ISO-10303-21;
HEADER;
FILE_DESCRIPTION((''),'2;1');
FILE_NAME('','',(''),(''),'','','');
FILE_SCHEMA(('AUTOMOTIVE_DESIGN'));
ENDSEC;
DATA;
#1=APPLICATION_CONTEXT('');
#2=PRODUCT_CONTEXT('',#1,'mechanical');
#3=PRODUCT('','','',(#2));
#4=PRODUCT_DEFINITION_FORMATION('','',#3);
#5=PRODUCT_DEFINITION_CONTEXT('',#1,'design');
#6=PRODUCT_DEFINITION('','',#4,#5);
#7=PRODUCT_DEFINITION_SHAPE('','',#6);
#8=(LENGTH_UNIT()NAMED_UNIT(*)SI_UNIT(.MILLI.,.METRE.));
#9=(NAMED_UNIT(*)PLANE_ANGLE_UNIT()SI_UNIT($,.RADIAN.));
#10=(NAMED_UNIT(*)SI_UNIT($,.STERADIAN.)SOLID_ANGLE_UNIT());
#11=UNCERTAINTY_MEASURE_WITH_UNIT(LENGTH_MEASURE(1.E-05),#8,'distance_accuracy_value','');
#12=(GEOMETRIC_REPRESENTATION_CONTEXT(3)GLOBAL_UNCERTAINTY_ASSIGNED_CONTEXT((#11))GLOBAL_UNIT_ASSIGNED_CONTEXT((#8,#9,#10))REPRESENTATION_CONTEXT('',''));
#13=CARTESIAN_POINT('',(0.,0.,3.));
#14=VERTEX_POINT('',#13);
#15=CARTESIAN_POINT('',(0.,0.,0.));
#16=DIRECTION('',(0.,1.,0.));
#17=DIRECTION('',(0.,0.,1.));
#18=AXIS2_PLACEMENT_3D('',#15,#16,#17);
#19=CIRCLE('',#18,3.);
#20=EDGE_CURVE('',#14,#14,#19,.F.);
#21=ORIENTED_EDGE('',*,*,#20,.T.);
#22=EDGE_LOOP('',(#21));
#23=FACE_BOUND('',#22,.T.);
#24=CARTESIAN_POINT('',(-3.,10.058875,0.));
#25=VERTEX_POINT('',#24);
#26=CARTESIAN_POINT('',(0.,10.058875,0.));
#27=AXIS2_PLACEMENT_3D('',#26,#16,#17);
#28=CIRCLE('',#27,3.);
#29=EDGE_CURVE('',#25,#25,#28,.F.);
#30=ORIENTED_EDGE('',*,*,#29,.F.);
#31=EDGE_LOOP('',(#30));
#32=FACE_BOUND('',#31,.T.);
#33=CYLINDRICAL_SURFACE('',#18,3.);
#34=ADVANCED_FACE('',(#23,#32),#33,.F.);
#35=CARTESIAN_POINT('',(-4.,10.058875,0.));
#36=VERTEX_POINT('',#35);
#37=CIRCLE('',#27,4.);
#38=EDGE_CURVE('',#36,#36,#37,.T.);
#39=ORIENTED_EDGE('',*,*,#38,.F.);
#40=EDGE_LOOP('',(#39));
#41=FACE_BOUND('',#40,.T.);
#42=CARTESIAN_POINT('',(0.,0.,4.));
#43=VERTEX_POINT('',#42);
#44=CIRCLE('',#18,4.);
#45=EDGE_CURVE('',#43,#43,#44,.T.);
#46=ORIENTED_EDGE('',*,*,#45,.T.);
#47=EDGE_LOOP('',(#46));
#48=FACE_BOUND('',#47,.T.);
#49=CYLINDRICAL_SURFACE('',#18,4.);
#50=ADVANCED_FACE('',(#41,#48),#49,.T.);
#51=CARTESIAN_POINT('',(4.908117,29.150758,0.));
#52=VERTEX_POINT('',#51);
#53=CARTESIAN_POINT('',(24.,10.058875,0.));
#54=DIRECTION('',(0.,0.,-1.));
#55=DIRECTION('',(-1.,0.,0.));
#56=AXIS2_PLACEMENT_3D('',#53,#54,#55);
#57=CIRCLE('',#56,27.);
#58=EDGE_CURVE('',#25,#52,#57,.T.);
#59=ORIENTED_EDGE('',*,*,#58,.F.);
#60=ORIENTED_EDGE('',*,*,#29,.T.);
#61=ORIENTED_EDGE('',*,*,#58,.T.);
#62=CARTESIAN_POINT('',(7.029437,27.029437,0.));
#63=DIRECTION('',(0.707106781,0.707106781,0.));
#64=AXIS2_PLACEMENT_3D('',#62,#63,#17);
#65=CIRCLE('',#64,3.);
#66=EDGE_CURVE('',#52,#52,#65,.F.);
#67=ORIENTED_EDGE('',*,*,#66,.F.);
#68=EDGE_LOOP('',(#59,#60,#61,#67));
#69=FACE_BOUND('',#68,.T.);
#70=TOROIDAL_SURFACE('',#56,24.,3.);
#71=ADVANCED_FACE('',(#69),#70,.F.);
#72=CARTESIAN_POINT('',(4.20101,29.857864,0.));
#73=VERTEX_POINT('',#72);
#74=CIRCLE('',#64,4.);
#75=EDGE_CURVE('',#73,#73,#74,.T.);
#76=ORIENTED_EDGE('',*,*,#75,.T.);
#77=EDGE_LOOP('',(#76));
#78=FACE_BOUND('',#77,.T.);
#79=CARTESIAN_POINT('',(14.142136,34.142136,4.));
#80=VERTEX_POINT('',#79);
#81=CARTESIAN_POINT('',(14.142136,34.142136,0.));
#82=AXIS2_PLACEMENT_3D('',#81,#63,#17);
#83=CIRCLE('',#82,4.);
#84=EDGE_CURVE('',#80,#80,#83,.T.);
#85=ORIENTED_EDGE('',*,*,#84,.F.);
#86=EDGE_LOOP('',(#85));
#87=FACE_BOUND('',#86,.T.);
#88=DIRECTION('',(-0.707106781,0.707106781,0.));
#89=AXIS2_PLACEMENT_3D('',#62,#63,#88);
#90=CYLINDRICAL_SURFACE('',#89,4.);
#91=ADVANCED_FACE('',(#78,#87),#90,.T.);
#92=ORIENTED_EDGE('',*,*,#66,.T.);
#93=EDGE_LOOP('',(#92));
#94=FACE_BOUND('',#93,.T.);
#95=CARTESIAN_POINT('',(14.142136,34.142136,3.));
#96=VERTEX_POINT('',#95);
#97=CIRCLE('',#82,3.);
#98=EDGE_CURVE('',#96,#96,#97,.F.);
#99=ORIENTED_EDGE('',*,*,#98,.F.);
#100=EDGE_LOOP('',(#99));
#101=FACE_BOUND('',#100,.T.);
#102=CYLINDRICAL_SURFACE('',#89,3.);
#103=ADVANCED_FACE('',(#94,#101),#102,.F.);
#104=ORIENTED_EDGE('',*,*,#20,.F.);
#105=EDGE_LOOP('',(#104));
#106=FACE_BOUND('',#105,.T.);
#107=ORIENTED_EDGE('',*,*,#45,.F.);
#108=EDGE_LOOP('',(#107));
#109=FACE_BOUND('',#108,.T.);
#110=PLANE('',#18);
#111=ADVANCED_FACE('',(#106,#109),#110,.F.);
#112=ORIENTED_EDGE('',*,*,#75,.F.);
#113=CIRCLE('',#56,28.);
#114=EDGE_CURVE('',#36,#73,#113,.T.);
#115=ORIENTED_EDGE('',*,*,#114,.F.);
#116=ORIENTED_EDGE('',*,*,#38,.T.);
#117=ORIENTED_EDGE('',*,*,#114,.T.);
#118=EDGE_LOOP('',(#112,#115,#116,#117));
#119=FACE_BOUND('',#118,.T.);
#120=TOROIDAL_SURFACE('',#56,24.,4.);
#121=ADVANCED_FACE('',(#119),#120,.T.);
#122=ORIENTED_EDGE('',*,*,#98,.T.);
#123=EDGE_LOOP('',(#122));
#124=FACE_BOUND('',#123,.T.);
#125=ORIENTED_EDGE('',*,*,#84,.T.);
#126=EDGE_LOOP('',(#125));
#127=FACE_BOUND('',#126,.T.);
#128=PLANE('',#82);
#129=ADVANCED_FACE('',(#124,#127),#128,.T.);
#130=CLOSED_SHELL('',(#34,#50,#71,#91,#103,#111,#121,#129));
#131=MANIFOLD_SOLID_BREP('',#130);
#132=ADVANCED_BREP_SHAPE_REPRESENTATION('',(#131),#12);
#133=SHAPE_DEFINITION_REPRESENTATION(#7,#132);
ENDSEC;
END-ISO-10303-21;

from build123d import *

# Parameters (mm, degrees)
SKETCH2_R   = 4
SKETCH2_R_2 = 3


with BuildPart() as part:
    # Sweep1: sweep along a path in Sketch1
    with BuildLine(Plane.XY) as sweep1_path:
        Line((0, 0), (0, 10.058874503))
        ThreePointArc((0, 10.058874503), (1.82689122, 19.24327688), (7.029437252, 27.029437252))
        Line((7.029437252, 27.029437252), (14.142135624, 34.142135624))
    # Sketch2 → Sweep1 (sweep)
    with BuildSketch(Plane(origin=(0, 0, 0), x_dir=(1, 0, 0), z_dir=(0, 1, 0))):
        Circle(SKETCH2_R)
        Circle(SKETCH2_R_2, mode=Mode.SUBTRACT)
    sweep(path=sweep1_path.line)


solid = part.part
